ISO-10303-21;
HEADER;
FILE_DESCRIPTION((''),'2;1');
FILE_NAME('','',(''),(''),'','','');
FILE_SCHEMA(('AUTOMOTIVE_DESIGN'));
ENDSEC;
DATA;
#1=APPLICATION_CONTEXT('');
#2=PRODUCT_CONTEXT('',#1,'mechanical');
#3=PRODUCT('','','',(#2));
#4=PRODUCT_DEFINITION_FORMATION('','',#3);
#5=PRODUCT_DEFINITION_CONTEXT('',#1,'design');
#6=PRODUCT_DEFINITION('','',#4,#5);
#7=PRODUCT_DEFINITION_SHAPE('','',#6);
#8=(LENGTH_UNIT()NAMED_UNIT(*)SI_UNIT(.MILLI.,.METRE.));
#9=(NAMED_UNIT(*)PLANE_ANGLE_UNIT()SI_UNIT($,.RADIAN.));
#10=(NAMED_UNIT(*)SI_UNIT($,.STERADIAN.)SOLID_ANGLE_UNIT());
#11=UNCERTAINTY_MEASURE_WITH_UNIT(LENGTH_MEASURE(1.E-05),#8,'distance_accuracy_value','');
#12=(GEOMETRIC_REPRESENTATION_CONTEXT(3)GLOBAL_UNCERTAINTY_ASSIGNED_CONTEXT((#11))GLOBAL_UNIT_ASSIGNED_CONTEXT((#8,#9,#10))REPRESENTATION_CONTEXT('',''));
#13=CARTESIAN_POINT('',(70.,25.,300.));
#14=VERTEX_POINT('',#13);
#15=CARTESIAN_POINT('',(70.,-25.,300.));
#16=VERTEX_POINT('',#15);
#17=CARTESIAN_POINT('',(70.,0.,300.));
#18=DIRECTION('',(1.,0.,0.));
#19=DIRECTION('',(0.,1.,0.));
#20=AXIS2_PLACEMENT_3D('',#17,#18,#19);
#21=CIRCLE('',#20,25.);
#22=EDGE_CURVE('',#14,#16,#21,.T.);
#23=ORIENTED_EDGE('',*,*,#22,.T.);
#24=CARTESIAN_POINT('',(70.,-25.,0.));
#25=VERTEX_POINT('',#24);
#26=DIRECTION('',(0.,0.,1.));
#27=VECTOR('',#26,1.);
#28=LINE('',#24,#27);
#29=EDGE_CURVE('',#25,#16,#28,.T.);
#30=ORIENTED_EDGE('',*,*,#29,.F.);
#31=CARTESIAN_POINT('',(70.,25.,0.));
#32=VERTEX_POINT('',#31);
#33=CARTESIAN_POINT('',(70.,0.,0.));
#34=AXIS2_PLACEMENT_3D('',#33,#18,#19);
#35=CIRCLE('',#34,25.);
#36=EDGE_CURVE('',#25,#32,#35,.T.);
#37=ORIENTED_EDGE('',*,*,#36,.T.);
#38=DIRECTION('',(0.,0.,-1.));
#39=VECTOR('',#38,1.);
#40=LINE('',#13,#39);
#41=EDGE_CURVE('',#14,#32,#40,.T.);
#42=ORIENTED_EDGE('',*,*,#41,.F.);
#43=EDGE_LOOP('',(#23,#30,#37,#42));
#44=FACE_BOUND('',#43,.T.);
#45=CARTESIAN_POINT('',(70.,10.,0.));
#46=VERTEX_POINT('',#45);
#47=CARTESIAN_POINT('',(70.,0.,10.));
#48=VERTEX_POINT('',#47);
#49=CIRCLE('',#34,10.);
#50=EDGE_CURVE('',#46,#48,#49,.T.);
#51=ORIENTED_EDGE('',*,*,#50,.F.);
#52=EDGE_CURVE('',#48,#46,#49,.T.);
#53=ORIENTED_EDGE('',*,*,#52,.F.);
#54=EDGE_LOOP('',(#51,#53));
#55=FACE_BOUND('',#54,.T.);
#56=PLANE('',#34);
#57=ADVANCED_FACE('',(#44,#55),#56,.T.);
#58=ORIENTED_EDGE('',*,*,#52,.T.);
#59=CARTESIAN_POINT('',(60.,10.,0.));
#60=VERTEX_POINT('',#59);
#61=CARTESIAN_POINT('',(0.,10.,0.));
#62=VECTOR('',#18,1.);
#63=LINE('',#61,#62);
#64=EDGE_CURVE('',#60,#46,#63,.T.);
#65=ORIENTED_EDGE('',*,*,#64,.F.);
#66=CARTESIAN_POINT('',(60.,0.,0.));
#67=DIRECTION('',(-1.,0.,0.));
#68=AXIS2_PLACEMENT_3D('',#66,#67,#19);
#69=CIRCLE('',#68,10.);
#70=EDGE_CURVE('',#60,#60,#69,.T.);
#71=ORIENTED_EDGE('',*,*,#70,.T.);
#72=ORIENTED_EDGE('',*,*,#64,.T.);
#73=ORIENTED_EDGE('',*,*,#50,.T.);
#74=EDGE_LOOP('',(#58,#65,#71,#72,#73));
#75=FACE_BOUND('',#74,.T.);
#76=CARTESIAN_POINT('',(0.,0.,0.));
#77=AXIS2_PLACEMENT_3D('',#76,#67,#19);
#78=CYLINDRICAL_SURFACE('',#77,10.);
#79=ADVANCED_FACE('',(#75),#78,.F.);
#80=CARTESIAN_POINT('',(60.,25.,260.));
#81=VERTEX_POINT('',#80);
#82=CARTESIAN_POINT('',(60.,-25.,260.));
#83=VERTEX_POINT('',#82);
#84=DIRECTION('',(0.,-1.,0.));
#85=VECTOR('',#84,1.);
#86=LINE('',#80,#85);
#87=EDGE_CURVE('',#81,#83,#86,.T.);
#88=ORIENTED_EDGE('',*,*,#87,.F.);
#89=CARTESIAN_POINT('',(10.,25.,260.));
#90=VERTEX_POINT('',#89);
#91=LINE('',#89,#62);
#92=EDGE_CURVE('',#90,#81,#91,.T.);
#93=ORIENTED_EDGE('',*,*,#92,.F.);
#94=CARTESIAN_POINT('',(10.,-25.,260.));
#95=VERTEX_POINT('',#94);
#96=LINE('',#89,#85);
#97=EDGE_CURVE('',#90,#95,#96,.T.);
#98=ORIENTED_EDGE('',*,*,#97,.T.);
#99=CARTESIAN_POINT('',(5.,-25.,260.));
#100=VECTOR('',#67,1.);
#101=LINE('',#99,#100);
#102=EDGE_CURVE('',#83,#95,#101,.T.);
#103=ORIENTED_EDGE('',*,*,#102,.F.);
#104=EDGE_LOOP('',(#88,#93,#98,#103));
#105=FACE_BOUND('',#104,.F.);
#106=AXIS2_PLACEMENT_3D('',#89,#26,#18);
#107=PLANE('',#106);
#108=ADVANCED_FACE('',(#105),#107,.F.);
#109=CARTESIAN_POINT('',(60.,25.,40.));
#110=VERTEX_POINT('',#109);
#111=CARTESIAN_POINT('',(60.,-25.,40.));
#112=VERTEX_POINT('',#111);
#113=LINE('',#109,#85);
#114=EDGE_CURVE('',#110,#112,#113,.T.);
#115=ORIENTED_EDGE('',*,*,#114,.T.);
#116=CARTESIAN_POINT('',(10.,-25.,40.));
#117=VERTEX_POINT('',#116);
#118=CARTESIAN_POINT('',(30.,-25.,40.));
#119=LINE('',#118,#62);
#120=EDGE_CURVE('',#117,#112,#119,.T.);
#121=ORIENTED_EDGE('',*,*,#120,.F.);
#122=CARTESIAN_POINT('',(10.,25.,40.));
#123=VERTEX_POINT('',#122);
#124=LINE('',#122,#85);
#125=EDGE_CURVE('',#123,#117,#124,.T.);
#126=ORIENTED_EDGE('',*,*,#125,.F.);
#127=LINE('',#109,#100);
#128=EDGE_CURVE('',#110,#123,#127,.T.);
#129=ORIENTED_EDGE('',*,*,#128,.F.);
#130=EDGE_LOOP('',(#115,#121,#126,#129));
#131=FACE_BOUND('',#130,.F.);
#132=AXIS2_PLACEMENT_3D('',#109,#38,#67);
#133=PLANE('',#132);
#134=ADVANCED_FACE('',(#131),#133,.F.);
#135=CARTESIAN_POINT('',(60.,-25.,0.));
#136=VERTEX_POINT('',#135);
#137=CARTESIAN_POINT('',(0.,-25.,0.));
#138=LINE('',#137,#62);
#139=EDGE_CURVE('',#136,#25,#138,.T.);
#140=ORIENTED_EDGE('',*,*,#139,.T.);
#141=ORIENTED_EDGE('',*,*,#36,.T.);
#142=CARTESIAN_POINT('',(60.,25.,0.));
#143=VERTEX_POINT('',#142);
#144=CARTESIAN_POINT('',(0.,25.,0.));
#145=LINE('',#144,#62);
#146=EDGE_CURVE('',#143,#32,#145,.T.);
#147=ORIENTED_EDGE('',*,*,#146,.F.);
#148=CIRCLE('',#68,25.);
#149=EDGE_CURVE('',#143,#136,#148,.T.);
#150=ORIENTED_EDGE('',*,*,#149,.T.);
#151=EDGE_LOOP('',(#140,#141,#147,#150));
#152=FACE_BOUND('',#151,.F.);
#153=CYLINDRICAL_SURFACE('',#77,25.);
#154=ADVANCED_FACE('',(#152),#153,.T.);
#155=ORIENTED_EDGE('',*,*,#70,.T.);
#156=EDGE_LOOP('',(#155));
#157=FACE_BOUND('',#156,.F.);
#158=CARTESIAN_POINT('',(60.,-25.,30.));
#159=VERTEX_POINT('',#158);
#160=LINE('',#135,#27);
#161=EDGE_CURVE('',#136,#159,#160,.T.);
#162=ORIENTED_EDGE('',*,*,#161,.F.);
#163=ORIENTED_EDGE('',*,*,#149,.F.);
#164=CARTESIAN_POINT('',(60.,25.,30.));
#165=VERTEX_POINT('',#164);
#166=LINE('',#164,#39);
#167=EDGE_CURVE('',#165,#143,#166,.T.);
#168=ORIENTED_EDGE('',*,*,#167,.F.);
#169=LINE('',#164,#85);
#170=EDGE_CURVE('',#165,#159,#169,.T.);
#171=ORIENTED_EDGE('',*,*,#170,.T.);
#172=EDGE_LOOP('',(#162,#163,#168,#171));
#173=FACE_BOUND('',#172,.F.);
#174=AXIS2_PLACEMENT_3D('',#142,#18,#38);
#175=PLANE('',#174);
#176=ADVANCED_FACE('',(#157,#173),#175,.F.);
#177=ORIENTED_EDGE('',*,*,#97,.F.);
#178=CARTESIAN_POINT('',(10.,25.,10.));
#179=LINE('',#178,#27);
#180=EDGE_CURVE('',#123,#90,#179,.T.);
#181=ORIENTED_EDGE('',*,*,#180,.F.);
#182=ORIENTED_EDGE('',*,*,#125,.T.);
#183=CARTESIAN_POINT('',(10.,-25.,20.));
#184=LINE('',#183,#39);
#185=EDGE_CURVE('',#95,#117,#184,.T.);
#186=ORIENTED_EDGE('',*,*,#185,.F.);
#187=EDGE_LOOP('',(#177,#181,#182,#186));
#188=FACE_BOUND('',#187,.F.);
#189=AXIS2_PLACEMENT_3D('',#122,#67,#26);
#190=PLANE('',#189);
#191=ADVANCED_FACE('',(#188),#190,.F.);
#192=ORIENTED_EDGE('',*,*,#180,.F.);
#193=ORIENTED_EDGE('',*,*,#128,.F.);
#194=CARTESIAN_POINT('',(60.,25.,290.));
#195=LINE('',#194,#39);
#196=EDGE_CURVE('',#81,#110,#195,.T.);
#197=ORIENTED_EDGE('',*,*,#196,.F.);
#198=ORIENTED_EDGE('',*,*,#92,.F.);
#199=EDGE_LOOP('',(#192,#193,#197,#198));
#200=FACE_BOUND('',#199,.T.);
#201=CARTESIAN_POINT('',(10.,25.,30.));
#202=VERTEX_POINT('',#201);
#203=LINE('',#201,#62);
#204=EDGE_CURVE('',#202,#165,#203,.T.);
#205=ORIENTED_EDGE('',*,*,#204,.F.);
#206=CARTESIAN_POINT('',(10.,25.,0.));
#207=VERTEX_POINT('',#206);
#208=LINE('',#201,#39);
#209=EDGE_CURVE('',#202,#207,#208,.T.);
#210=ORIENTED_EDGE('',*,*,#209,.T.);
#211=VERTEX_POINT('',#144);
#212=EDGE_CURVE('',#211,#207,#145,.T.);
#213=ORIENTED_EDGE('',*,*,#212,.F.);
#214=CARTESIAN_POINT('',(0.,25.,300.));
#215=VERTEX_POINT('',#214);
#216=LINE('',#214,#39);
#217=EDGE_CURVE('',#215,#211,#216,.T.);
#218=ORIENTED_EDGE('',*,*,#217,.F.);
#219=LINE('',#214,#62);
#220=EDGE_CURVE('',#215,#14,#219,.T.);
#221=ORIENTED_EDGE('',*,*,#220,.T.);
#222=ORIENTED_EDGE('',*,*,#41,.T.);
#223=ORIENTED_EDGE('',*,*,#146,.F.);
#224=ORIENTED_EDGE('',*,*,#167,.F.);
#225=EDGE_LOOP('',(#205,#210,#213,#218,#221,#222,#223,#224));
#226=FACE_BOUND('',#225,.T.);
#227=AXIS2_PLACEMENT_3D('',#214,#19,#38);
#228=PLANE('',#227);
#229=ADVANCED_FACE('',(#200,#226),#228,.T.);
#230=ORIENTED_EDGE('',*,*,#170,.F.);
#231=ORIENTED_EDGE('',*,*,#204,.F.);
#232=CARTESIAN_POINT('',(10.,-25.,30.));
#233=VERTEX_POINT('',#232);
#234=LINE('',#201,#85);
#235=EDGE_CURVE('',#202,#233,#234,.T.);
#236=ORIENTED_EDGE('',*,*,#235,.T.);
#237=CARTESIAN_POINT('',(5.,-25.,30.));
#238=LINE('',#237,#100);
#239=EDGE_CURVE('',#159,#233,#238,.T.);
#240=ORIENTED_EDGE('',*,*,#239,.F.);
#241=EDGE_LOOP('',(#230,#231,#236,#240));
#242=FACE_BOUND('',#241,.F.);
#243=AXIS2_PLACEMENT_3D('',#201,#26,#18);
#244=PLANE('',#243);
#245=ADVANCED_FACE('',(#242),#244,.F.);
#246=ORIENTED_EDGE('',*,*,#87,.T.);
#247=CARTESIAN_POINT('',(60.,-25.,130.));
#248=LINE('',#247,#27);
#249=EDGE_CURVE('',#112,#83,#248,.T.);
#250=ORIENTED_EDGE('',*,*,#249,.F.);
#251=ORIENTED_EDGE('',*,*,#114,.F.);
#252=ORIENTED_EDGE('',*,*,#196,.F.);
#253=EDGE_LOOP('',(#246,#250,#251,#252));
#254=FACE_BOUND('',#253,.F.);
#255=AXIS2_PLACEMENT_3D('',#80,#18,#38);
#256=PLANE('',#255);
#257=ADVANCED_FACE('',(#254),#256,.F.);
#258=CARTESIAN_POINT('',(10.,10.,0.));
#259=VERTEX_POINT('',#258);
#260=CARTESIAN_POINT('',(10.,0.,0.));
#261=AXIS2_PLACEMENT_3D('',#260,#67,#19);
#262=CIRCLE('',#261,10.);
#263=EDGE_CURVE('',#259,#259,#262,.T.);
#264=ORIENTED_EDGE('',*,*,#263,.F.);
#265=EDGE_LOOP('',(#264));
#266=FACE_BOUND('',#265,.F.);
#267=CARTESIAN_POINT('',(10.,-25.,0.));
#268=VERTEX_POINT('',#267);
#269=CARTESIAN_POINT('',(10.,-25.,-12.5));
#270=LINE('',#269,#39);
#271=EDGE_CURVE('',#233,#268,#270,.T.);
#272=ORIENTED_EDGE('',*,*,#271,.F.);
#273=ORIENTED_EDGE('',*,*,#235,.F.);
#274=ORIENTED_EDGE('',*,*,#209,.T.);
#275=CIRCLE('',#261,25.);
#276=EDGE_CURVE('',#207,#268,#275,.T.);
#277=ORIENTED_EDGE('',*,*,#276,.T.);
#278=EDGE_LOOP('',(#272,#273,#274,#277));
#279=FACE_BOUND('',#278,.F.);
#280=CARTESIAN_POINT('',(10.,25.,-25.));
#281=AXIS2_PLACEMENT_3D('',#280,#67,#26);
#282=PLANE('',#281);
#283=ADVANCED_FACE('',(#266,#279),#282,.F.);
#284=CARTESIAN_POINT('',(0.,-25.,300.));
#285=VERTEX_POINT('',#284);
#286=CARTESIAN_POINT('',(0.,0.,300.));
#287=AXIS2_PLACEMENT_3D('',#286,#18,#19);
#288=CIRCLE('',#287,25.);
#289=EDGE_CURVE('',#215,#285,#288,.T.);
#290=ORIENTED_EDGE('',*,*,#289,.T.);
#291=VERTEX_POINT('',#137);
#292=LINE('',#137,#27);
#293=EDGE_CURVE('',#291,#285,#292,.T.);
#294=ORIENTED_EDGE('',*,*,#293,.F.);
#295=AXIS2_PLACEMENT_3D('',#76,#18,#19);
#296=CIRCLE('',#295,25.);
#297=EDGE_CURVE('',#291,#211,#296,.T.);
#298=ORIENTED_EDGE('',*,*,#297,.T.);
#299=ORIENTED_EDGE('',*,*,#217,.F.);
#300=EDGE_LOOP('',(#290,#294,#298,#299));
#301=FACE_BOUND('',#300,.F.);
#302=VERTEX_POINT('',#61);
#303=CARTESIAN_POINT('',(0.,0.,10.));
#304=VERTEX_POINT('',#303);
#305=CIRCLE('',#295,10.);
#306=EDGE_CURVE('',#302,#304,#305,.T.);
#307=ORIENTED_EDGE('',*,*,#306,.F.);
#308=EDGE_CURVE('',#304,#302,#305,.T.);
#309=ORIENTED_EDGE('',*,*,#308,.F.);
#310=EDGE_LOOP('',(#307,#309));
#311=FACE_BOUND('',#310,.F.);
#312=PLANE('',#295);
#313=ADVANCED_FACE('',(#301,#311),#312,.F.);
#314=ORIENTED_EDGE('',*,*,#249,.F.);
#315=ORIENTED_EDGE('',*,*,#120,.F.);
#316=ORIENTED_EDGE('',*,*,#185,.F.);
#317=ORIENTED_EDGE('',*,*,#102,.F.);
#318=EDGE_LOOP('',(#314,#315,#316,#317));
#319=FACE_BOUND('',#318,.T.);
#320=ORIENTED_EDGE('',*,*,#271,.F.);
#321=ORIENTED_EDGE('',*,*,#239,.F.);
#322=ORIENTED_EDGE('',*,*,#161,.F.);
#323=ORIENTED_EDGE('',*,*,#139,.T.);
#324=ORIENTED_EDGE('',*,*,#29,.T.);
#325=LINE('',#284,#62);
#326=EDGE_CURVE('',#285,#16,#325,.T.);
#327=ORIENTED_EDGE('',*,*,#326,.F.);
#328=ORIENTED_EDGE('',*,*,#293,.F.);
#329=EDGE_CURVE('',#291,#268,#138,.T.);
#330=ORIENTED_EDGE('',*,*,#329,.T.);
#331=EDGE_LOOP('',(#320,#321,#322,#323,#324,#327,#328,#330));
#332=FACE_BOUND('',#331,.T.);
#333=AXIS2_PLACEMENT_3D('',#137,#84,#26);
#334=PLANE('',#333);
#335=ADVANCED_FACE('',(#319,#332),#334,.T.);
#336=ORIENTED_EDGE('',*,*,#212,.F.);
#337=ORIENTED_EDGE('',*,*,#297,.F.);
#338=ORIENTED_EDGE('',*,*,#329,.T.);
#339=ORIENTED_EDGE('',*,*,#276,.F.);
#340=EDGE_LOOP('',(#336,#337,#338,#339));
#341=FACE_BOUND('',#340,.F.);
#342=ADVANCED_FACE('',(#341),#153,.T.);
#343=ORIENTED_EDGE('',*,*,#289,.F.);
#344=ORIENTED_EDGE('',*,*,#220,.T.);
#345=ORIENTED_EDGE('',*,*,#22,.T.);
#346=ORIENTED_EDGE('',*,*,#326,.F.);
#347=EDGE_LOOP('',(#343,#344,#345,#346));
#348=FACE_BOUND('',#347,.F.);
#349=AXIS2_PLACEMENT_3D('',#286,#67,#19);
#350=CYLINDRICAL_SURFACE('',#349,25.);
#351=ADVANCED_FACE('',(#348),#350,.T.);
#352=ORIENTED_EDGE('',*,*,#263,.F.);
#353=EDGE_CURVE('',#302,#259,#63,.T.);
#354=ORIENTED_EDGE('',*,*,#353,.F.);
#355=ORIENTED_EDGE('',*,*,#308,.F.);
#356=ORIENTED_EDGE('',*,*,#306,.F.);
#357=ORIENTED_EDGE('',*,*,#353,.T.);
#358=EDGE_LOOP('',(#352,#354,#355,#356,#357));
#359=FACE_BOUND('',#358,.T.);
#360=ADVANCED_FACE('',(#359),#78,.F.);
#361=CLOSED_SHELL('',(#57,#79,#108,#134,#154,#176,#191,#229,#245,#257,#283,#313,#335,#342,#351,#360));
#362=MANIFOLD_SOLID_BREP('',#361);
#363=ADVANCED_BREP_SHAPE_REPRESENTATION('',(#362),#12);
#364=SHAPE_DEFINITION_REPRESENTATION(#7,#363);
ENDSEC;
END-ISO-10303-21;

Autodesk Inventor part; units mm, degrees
ref_plane "YZ Plane" through (0, 0, 0) normal (1, 0, 0) x (0, 1, 0)
ref_plane "XZ Plane" through (0, 0, 0) normal (0, 1, 0) x (-1, 0, 0)
ref_plane "XY Plane" through (0, 0, 0) normal (0, 0, 1) x (1, 0, 0)
sketch "Sketch1" plane through (0, 0, 0) normal (1, 0, 0) x (0, 1, 0)
  line L0 (0, 0) -> (0, 300)
  circle A0 centre (0, 300) radius 25
  circle A1 centre (0, 0) radius 25
  circle A2 centre (0, 300) radius 10
  circle A3 centre (0, 0) radius 10
  line L1 (25, 300) -> (25, 0)
  line L2 (-25, 0) -> (-25, 300)
  dimension "d0" = 300
  dimension "d1" = 50
  dimension "d2" = 20
extrude "Extrusion1" add sketch "Sketch1" along normal blind 70 contours A1 | A1 L2 A0 L0 | L0 A0 L1 A1 | A2 | A0
sketch "Sketch2" plane through (0, 25, 300) normal (0, 1, 0) x (1, 0, 0)
  line L0 (0, -25) -> (0, 0) projected
  line L1 (70, 300) -> (70, 325) projected
  line L2 (0, 0) -> (70, 0)
  line L3 (70, 0) -> (70, 300)
  line L4 (70, 300) -> (0, 300)
  line L5 (0, 300) -> (0, 0)
  line L6 (10, 10) -> (60, 10)
  line L7 (60, 10) -> (60, 290)
  line L8 (60, 290) -> (10, 290)
  line L9 (10, 290) -> (10, 10)
  line L10 (0, 325) -> (70, 325) projected
  line L11 (10, 290) -> (60, 290)
  line L12 (60, 290) -> (60, 325)
  line L13 (60, 325) -> (10, 325)
  line L14 (10, 325) -> (10, 290)
  line L15 (0, -25) -> (70, -25) projected
  line L16 (10, 10) -> (60, 10)
  line L17 (60, 10) -> (60, -25)
  line L18 (60, -25) -> (10, -25)
  line L19 (10, -25) -> (10, 10)
  line L20 (60, 260) -> (10, 260)
  line L21 (10, 260) -> (10, 40)
  line L22 (10, 40) -> (60, 40)
  line L23 (60, 40) -> (60, 260)
  line L24 (60, 325) -> (10, 325)
  line L25 (10, 325) -> (10, 270)
  line L26 (10, 270) -> (60, 270)
  line L27 (60, 270) -> (60, 325)
  line L28 (60, -25) -> (10, -25)
  line L29 (10, -25) -> (10, 30)
  line L30 (10, 30) -> (60, 30)
  line L31 (60, 30) -> (60, -25)
  point P0 (60, 40)
  point P1 (10, 260)
  point P2 (60, 270)
  dimension "d5" = 10
  dimension "d6" = 10
  dimension "d9" = 30
  dimension "d10" = 30
  dimension "d13" = 10
  dimension "d14" = 10
extrude "Extrusion2" cut sketch "Sketch2" against normal through all contours L14 L10 L12 L4 | L4 L12 L8 L14 | L8 L7 L26 L9
extrude "Extrusion3" cut sketch "Sketch2" against normal through all contours L9 L20 L7 L22
properties part number "arm2"
